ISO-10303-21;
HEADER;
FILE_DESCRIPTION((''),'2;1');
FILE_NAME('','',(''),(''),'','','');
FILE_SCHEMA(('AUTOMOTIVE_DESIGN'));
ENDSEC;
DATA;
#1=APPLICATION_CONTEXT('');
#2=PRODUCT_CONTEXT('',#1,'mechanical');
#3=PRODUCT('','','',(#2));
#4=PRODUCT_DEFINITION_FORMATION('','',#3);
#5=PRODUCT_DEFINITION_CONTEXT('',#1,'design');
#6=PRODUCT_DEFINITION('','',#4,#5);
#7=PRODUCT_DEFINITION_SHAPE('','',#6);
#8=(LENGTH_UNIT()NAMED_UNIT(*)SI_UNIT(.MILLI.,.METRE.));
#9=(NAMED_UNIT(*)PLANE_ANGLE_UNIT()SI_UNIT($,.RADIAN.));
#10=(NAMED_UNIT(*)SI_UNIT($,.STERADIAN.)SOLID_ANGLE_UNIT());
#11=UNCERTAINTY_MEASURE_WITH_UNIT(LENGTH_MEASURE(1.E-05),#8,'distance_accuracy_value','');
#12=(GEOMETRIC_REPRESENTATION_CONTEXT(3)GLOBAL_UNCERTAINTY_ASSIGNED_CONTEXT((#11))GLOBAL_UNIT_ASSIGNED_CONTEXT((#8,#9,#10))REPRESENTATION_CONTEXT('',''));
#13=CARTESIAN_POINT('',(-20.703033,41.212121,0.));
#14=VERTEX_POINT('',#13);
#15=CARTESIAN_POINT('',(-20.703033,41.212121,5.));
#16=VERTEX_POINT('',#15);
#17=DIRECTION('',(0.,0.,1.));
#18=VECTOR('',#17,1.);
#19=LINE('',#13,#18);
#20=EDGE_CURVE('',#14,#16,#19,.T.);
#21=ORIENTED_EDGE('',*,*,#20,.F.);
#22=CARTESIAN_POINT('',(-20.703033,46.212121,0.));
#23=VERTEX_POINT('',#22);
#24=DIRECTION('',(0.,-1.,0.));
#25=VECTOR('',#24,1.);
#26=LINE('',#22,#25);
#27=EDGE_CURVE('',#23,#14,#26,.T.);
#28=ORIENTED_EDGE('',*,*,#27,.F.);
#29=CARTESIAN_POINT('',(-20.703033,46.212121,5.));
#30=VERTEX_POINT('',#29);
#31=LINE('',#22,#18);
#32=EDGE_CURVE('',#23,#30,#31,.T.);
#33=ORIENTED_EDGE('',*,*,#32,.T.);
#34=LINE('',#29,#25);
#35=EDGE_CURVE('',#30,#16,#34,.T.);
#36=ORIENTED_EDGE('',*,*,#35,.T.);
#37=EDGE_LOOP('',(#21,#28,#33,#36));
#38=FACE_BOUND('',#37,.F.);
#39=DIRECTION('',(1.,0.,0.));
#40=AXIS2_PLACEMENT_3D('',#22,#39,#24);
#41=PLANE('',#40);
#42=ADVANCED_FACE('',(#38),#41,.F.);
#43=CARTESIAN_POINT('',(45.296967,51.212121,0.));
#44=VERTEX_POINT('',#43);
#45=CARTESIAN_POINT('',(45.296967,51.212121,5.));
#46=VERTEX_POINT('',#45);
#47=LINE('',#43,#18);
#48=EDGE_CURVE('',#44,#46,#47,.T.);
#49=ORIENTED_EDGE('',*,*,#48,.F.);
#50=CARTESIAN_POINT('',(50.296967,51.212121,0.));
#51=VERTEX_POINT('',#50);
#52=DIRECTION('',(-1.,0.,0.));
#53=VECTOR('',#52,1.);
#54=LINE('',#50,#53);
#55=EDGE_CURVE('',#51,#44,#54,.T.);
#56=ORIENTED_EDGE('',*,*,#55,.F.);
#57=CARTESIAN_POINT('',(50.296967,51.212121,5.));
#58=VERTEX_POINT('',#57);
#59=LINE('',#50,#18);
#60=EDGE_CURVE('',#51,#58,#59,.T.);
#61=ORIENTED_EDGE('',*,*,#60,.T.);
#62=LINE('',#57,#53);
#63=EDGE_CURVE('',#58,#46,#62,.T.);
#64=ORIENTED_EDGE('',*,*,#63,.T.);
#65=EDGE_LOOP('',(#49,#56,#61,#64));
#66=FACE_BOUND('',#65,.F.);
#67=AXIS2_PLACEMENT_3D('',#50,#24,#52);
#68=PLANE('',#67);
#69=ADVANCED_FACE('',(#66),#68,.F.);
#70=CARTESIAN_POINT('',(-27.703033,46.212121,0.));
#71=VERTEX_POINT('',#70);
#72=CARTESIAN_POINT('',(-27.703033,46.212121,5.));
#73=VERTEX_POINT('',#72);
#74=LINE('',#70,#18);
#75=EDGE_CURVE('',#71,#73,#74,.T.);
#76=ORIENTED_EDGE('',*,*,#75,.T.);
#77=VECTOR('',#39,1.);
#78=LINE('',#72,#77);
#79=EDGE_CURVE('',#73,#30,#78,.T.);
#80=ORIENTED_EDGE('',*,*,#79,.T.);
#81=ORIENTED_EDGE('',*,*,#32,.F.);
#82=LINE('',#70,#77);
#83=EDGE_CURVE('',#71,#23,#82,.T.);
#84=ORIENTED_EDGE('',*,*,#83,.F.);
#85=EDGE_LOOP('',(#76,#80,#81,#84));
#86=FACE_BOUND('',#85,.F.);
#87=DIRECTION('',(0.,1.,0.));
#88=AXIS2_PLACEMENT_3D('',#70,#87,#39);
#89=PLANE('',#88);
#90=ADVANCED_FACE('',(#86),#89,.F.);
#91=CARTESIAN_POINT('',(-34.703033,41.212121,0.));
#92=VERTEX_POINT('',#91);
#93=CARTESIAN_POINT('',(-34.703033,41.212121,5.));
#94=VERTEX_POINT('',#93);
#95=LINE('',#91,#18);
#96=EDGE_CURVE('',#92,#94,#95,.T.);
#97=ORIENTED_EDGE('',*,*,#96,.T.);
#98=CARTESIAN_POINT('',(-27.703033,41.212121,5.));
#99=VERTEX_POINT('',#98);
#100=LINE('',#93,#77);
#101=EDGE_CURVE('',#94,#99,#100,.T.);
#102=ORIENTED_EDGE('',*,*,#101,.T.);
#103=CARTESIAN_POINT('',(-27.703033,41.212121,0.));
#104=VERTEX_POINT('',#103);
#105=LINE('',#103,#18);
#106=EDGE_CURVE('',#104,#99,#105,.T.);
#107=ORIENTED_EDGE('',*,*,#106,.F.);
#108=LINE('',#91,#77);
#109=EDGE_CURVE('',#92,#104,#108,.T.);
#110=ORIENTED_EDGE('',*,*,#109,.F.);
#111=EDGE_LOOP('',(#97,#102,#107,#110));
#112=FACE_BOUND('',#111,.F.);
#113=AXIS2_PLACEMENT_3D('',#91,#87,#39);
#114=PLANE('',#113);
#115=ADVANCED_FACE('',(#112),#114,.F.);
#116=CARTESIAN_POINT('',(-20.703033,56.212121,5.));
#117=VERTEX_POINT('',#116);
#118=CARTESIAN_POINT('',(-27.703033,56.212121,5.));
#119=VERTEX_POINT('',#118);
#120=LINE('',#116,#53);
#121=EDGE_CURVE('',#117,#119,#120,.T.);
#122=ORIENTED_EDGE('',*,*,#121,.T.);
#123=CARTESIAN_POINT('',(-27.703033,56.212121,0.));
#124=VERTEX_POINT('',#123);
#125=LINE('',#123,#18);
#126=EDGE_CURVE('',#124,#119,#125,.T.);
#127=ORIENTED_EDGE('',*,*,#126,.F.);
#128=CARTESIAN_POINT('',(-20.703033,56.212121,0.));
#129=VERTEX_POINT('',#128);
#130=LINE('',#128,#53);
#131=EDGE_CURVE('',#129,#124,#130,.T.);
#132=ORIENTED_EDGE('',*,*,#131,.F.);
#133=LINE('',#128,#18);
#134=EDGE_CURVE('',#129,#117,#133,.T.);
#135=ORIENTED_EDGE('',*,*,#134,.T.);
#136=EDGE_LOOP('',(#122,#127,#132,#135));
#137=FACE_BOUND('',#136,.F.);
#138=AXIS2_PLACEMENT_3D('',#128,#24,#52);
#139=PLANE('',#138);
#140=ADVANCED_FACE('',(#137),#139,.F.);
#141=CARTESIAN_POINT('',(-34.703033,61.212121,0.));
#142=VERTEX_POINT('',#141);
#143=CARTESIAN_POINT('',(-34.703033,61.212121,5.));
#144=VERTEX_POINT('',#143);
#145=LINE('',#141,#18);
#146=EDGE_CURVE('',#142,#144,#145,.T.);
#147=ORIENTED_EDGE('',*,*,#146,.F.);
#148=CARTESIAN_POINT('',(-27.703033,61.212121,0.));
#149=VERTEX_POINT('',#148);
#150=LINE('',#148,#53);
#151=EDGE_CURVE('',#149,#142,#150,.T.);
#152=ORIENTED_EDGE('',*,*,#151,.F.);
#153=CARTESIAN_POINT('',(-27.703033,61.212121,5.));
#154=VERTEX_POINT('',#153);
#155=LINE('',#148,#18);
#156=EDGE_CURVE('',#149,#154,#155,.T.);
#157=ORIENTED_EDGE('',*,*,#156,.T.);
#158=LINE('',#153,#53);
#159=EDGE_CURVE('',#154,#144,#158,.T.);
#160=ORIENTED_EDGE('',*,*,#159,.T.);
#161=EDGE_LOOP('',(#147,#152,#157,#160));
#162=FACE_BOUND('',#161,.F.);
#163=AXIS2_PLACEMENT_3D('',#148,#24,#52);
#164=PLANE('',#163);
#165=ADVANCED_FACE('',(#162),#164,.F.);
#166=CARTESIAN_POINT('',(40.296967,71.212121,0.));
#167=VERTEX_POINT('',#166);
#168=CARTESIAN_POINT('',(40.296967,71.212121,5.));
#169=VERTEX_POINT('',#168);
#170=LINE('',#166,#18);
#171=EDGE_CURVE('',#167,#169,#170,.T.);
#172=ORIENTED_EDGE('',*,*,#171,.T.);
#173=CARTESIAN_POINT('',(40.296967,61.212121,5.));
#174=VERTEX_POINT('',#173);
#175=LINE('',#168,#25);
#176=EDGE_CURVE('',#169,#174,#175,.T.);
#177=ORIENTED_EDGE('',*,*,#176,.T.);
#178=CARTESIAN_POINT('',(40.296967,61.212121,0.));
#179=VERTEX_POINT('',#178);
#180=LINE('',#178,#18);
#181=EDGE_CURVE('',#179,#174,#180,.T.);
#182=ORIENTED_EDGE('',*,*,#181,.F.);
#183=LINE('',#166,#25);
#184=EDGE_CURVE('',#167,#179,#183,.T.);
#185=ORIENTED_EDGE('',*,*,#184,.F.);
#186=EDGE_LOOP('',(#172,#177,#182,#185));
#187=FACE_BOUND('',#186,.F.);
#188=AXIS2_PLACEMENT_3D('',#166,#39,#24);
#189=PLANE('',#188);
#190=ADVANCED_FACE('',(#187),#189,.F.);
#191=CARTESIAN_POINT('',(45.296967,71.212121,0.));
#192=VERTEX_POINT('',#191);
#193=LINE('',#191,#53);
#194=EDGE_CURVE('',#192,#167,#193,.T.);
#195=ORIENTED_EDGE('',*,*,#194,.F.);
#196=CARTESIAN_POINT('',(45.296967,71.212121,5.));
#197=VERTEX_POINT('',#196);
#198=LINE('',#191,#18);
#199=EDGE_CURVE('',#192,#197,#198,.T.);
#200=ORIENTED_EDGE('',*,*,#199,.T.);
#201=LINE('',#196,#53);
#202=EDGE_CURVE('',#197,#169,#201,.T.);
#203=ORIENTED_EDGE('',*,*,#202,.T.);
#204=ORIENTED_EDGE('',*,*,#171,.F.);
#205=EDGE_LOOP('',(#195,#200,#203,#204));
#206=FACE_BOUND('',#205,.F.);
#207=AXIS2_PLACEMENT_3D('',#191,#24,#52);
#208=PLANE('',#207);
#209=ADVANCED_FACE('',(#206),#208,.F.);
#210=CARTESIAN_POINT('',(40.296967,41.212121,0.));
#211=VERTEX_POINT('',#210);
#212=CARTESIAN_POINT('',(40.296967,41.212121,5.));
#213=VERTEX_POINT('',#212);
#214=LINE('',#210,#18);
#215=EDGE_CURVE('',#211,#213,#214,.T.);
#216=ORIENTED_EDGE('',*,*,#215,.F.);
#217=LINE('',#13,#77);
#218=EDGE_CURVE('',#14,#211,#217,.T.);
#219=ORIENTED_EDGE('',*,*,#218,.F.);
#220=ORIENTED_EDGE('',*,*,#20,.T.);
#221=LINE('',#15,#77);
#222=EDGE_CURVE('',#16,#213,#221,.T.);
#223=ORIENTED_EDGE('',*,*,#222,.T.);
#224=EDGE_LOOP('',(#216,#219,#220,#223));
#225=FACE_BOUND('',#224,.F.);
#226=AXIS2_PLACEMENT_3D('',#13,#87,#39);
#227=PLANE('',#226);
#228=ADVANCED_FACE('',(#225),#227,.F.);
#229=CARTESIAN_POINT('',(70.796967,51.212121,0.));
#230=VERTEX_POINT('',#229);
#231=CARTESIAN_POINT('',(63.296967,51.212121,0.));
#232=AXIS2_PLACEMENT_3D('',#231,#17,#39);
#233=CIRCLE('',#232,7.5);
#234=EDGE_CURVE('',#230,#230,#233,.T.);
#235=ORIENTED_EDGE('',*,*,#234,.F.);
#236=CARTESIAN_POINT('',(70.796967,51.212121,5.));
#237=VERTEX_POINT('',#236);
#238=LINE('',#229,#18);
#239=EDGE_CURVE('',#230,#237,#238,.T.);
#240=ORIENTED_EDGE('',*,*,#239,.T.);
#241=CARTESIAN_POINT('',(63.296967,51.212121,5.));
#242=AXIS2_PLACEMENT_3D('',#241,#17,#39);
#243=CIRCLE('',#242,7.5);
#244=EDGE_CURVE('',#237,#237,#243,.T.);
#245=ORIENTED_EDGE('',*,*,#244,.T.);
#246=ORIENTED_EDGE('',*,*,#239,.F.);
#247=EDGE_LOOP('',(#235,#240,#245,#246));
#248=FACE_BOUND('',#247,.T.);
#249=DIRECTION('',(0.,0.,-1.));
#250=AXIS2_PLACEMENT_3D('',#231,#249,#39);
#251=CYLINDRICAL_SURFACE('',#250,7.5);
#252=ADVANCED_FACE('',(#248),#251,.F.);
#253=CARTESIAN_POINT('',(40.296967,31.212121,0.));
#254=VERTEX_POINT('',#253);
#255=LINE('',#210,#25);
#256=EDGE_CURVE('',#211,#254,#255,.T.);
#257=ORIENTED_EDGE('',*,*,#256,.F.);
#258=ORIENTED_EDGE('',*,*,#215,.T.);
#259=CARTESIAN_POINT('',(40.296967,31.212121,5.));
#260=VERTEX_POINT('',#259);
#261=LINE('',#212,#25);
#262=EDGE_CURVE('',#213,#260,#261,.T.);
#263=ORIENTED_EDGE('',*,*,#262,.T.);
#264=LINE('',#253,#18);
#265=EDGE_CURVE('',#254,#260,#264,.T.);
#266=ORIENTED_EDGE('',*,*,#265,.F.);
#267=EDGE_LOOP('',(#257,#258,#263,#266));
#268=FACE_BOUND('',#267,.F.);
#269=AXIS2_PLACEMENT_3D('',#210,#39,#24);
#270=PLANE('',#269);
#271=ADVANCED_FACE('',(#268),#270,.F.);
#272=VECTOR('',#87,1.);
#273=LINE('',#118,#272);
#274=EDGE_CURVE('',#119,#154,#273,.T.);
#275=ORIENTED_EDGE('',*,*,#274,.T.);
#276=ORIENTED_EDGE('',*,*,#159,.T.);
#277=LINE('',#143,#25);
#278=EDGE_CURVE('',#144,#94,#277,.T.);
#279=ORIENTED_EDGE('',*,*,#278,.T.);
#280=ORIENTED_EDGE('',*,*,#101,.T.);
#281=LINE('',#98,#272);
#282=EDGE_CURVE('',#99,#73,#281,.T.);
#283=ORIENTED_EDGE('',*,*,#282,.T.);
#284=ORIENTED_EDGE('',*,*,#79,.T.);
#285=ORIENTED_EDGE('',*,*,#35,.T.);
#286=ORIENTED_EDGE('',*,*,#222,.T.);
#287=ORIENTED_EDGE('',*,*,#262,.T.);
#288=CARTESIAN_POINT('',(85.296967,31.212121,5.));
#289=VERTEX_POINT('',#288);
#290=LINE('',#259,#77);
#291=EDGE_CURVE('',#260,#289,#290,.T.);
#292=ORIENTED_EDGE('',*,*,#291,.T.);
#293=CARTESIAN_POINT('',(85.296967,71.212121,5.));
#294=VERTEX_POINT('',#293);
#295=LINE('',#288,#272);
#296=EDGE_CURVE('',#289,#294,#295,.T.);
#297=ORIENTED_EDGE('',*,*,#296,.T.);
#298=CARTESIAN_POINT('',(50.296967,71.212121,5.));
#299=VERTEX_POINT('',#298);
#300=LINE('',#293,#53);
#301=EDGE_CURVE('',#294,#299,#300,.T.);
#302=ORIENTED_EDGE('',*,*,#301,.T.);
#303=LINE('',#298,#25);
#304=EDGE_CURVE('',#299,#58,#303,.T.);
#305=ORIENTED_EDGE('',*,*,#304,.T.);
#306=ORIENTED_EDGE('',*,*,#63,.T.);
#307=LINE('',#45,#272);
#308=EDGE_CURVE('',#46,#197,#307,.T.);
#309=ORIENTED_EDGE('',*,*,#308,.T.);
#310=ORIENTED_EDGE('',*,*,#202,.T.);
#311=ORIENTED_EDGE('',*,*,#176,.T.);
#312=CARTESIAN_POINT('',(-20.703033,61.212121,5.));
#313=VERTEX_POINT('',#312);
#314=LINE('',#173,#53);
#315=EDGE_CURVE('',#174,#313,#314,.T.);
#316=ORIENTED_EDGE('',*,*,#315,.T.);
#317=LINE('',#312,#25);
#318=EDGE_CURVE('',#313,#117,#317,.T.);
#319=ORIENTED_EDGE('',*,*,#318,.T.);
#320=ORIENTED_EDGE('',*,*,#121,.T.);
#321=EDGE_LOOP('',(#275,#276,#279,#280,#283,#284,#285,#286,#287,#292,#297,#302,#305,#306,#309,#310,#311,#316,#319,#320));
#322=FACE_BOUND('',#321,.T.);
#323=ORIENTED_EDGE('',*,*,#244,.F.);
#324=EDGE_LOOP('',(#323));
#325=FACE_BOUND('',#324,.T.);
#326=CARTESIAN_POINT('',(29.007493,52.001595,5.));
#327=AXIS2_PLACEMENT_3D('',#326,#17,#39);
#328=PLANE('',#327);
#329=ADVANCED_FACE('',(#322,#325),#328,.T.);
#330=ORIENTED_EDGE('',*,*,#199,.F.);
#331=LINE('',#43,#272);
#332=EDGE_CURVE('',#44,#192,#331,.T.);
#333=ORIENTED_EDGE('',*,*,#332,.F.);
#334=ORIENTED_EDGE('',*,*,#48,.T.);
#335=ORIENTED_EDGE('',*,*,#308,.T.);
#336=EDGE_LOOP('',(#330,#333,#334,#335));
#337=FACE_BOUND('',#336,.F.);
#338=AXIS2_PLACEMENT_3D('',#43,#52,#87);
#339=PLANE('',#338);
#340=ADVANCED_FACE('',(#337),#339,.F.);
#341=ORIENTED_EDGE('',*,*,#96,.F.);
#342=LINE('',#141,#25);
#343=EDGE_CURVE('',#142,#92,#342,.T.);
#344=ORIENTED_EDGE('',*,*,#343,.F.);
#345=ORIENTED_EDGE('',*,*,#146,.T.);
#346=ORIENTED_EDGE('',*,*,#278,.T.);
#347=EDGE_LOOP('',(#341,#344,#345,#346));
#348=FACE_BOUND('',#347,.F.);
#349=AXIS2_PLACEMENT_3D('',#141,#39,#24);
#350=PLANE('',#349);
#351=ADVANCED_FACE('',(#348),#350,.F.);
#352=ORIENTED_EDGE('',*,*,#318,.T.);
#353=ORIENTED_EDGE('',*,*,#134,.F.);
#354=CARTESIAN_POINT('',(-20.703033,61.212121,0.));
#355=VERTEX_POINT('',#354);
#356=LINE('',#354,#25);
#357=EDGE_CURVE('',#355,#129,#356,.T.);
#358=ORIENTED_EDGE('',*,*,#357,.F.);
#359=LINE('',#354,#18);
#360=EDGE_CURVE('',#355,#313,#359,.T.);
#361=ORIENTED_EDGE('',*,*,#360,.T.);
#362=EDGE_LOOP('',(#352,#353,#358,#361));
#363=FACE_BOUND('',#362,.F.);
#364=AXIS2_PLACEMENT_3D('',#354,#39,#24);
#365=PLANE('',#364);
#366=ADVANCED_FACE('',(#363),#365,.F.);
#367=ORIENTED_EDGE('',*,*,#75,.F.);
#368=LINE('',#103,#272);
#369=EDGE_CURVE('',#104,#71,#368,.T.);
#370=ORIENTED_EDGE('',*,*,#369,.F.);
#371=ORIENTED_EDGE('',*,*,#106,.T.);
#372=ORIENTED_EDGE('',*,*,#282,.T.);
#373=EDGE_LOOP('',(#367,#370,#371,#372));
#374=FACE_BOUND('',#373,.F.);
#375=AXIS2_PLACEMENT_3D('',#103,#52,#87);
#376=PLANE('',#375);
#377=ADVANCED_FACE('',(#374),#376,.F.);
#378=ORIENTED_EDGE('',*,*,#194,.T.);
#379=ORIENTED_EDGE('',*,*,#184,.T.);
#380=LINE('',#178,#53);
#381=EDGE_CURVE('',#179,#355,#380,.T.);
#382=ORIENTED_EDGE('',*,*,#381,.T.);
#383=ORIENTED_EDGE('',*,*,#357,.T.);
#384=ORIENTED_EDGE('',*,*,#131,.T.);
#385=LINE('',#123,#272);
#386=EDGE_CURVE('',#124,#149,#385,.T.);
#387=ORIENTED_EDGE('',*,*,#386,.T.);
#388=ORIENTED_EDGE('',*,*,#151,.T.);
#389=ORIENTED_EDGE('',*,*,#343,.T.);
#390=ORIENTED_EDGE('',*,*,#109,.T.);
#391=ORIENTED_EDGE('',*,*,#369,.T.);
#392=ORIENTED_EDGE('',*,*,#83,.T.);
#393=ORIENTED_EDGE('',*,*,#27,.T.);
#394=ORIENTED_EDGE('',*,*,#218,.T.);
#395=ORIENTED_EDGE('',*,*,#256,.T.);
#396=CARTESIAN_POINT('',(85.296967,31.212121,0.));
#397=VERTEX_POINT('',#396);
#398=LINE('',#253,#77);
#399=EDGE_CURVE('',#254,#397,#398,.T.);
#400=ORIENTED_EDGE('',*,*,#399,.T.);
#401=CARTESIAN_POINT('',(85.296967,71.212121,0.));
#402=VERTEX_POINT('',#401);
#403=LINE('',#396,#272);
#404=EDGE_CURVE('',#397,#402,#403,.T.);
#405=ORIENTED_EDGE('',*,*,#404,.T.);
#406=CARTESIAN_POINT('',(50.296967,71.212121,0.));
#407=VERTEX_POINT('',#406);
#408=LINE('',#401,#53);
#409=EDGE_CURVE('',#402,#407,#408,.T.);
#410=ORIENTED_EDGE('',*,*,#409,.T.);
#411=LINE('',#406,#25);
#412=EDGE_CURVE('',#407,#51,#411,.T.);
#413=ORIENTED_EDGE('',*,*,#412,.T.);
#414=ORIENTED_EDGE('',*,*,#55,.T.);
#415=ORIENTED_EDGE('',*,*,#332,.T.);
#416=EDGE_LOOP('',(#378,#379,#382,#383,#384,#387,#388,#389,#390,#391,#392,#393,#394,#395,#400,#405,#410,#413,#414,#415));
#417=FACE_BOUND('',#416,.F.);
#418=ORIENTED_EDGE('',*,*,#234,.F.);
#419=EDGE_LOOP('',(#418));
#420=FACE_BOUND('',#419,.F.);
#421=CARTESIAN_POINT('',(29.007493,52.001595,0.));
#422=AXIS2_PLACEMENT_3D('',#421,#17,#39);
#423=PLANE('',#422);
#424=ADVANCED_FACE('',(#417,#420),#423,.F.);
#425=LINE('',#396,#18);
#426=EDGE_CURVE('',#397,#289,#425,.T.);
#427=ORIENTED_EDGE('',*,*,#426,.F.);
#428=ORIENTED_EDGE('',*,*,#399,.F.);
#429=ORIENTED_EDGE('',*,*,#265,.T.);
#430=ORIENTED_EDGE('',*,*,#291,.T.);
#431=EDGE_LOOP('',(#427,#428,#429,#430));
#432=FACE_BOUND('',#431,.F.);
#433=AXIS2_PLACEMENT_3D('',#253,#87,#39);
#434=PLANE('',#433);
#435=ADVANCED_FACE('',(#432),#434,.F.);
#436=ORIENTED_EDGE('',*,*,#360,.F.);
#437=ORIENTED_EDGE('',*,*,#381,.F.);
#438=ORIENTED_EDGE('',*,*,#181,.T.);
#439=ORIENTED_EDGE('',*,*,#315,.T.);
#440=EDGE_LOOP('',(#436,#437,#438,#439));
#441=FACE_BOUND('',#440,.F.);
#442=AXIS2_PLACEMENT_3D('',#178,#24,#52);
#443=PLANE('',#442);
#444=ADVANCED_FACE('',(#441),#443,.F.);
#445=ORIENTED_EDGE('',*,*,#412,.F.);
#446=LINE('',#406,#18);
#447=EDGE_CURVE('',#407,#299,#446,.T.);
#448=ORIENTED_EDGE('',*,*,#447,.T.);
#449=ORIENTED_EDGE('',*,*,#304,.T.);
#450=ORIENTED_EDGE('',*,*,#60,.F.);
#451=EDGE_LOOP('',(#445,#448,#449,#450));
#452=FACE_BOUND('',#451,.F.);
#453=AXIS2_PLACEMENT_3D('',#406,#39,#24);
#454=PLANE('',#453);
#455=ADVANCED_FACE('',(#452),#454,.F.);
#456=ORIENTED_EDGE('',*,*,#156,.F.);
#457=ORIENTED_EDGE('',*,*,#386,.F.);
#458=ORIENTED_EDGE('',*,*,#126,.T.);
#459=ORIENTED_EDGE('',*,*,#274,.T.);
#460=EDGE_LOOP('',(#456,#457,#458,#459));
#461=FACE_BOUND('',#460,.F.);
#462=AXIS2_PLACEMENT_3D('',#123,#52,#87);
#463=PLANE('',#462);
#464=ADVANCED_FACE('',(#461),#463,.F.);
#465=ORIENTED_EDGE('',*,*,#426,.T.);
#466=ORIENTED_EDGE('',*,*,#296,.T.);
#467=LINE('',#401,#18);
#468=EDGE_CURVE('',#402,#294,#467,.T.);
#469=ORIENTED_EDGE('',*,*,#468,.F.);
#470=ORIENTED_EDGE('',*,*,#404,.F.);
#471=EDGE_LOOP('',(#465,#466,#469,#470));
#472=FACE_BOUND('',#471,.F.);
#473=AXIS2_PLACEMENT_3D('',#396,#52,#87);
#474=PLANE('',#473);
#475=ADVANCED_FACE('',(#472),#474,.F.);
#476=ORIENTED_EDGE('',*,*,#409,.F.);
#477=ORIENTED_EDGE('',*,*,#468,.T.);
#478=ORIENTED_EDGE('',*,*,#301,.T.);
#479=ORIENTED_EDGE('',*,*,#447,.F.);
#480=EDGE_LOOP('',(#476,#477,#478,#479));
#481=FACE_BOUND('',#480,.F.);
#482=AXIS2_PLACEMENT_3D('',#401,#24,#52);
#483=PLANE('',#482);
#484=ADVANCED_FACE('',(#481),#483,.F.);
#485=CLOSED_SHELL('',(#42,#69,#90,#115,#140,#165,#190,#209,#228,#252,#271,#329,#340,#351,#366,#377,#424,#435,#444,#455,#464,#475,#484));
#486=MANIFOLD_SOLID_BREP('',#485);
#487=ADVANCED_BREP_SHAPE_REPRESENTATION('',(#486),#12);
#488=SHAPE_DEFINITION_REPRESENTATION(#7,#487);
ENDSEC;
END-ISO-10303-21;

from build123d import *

# Parameters (mm, degrees)
F1_R     = 7.5
F2_DEPTH = 5


with BuildPart() as f2:
    # F1 (on Top) → F2 (new body)
    with BuildSketch(Plane.XY):
        Polygon((80.296967, 71.212121), (75.296967, 71.212121), (50.296967, 71.212121), (50.296967, 51.212121), (45.296967, 51.212121), (45.296967, 71.212121), (40.296967, 71.212121), (40.296967, 61.212121), (-20.703033, 61.212121), (-20.703033, 56.212121), (-27.703033, 56.212121), (-27.703033, 61.212121), (-34.703033, 61.212121), (-34.703033, 41.212121), (-27.703033, 41.212121), (-27.703033, 46.212121), (-20.703033, 46.212121), (-20.703033, 41.212121), (40.296967, 41.212121), (40.296967, 31.212121), (85.296967, 31.212121), (85.296967, 71.212121), align=None)
        with Locations((63.296967, 51.212121)):
            Circle(F1_R, mode=Mode.SUBTRACT)
    extrude(amount=F2_DEPTH)


solid = f2.part
